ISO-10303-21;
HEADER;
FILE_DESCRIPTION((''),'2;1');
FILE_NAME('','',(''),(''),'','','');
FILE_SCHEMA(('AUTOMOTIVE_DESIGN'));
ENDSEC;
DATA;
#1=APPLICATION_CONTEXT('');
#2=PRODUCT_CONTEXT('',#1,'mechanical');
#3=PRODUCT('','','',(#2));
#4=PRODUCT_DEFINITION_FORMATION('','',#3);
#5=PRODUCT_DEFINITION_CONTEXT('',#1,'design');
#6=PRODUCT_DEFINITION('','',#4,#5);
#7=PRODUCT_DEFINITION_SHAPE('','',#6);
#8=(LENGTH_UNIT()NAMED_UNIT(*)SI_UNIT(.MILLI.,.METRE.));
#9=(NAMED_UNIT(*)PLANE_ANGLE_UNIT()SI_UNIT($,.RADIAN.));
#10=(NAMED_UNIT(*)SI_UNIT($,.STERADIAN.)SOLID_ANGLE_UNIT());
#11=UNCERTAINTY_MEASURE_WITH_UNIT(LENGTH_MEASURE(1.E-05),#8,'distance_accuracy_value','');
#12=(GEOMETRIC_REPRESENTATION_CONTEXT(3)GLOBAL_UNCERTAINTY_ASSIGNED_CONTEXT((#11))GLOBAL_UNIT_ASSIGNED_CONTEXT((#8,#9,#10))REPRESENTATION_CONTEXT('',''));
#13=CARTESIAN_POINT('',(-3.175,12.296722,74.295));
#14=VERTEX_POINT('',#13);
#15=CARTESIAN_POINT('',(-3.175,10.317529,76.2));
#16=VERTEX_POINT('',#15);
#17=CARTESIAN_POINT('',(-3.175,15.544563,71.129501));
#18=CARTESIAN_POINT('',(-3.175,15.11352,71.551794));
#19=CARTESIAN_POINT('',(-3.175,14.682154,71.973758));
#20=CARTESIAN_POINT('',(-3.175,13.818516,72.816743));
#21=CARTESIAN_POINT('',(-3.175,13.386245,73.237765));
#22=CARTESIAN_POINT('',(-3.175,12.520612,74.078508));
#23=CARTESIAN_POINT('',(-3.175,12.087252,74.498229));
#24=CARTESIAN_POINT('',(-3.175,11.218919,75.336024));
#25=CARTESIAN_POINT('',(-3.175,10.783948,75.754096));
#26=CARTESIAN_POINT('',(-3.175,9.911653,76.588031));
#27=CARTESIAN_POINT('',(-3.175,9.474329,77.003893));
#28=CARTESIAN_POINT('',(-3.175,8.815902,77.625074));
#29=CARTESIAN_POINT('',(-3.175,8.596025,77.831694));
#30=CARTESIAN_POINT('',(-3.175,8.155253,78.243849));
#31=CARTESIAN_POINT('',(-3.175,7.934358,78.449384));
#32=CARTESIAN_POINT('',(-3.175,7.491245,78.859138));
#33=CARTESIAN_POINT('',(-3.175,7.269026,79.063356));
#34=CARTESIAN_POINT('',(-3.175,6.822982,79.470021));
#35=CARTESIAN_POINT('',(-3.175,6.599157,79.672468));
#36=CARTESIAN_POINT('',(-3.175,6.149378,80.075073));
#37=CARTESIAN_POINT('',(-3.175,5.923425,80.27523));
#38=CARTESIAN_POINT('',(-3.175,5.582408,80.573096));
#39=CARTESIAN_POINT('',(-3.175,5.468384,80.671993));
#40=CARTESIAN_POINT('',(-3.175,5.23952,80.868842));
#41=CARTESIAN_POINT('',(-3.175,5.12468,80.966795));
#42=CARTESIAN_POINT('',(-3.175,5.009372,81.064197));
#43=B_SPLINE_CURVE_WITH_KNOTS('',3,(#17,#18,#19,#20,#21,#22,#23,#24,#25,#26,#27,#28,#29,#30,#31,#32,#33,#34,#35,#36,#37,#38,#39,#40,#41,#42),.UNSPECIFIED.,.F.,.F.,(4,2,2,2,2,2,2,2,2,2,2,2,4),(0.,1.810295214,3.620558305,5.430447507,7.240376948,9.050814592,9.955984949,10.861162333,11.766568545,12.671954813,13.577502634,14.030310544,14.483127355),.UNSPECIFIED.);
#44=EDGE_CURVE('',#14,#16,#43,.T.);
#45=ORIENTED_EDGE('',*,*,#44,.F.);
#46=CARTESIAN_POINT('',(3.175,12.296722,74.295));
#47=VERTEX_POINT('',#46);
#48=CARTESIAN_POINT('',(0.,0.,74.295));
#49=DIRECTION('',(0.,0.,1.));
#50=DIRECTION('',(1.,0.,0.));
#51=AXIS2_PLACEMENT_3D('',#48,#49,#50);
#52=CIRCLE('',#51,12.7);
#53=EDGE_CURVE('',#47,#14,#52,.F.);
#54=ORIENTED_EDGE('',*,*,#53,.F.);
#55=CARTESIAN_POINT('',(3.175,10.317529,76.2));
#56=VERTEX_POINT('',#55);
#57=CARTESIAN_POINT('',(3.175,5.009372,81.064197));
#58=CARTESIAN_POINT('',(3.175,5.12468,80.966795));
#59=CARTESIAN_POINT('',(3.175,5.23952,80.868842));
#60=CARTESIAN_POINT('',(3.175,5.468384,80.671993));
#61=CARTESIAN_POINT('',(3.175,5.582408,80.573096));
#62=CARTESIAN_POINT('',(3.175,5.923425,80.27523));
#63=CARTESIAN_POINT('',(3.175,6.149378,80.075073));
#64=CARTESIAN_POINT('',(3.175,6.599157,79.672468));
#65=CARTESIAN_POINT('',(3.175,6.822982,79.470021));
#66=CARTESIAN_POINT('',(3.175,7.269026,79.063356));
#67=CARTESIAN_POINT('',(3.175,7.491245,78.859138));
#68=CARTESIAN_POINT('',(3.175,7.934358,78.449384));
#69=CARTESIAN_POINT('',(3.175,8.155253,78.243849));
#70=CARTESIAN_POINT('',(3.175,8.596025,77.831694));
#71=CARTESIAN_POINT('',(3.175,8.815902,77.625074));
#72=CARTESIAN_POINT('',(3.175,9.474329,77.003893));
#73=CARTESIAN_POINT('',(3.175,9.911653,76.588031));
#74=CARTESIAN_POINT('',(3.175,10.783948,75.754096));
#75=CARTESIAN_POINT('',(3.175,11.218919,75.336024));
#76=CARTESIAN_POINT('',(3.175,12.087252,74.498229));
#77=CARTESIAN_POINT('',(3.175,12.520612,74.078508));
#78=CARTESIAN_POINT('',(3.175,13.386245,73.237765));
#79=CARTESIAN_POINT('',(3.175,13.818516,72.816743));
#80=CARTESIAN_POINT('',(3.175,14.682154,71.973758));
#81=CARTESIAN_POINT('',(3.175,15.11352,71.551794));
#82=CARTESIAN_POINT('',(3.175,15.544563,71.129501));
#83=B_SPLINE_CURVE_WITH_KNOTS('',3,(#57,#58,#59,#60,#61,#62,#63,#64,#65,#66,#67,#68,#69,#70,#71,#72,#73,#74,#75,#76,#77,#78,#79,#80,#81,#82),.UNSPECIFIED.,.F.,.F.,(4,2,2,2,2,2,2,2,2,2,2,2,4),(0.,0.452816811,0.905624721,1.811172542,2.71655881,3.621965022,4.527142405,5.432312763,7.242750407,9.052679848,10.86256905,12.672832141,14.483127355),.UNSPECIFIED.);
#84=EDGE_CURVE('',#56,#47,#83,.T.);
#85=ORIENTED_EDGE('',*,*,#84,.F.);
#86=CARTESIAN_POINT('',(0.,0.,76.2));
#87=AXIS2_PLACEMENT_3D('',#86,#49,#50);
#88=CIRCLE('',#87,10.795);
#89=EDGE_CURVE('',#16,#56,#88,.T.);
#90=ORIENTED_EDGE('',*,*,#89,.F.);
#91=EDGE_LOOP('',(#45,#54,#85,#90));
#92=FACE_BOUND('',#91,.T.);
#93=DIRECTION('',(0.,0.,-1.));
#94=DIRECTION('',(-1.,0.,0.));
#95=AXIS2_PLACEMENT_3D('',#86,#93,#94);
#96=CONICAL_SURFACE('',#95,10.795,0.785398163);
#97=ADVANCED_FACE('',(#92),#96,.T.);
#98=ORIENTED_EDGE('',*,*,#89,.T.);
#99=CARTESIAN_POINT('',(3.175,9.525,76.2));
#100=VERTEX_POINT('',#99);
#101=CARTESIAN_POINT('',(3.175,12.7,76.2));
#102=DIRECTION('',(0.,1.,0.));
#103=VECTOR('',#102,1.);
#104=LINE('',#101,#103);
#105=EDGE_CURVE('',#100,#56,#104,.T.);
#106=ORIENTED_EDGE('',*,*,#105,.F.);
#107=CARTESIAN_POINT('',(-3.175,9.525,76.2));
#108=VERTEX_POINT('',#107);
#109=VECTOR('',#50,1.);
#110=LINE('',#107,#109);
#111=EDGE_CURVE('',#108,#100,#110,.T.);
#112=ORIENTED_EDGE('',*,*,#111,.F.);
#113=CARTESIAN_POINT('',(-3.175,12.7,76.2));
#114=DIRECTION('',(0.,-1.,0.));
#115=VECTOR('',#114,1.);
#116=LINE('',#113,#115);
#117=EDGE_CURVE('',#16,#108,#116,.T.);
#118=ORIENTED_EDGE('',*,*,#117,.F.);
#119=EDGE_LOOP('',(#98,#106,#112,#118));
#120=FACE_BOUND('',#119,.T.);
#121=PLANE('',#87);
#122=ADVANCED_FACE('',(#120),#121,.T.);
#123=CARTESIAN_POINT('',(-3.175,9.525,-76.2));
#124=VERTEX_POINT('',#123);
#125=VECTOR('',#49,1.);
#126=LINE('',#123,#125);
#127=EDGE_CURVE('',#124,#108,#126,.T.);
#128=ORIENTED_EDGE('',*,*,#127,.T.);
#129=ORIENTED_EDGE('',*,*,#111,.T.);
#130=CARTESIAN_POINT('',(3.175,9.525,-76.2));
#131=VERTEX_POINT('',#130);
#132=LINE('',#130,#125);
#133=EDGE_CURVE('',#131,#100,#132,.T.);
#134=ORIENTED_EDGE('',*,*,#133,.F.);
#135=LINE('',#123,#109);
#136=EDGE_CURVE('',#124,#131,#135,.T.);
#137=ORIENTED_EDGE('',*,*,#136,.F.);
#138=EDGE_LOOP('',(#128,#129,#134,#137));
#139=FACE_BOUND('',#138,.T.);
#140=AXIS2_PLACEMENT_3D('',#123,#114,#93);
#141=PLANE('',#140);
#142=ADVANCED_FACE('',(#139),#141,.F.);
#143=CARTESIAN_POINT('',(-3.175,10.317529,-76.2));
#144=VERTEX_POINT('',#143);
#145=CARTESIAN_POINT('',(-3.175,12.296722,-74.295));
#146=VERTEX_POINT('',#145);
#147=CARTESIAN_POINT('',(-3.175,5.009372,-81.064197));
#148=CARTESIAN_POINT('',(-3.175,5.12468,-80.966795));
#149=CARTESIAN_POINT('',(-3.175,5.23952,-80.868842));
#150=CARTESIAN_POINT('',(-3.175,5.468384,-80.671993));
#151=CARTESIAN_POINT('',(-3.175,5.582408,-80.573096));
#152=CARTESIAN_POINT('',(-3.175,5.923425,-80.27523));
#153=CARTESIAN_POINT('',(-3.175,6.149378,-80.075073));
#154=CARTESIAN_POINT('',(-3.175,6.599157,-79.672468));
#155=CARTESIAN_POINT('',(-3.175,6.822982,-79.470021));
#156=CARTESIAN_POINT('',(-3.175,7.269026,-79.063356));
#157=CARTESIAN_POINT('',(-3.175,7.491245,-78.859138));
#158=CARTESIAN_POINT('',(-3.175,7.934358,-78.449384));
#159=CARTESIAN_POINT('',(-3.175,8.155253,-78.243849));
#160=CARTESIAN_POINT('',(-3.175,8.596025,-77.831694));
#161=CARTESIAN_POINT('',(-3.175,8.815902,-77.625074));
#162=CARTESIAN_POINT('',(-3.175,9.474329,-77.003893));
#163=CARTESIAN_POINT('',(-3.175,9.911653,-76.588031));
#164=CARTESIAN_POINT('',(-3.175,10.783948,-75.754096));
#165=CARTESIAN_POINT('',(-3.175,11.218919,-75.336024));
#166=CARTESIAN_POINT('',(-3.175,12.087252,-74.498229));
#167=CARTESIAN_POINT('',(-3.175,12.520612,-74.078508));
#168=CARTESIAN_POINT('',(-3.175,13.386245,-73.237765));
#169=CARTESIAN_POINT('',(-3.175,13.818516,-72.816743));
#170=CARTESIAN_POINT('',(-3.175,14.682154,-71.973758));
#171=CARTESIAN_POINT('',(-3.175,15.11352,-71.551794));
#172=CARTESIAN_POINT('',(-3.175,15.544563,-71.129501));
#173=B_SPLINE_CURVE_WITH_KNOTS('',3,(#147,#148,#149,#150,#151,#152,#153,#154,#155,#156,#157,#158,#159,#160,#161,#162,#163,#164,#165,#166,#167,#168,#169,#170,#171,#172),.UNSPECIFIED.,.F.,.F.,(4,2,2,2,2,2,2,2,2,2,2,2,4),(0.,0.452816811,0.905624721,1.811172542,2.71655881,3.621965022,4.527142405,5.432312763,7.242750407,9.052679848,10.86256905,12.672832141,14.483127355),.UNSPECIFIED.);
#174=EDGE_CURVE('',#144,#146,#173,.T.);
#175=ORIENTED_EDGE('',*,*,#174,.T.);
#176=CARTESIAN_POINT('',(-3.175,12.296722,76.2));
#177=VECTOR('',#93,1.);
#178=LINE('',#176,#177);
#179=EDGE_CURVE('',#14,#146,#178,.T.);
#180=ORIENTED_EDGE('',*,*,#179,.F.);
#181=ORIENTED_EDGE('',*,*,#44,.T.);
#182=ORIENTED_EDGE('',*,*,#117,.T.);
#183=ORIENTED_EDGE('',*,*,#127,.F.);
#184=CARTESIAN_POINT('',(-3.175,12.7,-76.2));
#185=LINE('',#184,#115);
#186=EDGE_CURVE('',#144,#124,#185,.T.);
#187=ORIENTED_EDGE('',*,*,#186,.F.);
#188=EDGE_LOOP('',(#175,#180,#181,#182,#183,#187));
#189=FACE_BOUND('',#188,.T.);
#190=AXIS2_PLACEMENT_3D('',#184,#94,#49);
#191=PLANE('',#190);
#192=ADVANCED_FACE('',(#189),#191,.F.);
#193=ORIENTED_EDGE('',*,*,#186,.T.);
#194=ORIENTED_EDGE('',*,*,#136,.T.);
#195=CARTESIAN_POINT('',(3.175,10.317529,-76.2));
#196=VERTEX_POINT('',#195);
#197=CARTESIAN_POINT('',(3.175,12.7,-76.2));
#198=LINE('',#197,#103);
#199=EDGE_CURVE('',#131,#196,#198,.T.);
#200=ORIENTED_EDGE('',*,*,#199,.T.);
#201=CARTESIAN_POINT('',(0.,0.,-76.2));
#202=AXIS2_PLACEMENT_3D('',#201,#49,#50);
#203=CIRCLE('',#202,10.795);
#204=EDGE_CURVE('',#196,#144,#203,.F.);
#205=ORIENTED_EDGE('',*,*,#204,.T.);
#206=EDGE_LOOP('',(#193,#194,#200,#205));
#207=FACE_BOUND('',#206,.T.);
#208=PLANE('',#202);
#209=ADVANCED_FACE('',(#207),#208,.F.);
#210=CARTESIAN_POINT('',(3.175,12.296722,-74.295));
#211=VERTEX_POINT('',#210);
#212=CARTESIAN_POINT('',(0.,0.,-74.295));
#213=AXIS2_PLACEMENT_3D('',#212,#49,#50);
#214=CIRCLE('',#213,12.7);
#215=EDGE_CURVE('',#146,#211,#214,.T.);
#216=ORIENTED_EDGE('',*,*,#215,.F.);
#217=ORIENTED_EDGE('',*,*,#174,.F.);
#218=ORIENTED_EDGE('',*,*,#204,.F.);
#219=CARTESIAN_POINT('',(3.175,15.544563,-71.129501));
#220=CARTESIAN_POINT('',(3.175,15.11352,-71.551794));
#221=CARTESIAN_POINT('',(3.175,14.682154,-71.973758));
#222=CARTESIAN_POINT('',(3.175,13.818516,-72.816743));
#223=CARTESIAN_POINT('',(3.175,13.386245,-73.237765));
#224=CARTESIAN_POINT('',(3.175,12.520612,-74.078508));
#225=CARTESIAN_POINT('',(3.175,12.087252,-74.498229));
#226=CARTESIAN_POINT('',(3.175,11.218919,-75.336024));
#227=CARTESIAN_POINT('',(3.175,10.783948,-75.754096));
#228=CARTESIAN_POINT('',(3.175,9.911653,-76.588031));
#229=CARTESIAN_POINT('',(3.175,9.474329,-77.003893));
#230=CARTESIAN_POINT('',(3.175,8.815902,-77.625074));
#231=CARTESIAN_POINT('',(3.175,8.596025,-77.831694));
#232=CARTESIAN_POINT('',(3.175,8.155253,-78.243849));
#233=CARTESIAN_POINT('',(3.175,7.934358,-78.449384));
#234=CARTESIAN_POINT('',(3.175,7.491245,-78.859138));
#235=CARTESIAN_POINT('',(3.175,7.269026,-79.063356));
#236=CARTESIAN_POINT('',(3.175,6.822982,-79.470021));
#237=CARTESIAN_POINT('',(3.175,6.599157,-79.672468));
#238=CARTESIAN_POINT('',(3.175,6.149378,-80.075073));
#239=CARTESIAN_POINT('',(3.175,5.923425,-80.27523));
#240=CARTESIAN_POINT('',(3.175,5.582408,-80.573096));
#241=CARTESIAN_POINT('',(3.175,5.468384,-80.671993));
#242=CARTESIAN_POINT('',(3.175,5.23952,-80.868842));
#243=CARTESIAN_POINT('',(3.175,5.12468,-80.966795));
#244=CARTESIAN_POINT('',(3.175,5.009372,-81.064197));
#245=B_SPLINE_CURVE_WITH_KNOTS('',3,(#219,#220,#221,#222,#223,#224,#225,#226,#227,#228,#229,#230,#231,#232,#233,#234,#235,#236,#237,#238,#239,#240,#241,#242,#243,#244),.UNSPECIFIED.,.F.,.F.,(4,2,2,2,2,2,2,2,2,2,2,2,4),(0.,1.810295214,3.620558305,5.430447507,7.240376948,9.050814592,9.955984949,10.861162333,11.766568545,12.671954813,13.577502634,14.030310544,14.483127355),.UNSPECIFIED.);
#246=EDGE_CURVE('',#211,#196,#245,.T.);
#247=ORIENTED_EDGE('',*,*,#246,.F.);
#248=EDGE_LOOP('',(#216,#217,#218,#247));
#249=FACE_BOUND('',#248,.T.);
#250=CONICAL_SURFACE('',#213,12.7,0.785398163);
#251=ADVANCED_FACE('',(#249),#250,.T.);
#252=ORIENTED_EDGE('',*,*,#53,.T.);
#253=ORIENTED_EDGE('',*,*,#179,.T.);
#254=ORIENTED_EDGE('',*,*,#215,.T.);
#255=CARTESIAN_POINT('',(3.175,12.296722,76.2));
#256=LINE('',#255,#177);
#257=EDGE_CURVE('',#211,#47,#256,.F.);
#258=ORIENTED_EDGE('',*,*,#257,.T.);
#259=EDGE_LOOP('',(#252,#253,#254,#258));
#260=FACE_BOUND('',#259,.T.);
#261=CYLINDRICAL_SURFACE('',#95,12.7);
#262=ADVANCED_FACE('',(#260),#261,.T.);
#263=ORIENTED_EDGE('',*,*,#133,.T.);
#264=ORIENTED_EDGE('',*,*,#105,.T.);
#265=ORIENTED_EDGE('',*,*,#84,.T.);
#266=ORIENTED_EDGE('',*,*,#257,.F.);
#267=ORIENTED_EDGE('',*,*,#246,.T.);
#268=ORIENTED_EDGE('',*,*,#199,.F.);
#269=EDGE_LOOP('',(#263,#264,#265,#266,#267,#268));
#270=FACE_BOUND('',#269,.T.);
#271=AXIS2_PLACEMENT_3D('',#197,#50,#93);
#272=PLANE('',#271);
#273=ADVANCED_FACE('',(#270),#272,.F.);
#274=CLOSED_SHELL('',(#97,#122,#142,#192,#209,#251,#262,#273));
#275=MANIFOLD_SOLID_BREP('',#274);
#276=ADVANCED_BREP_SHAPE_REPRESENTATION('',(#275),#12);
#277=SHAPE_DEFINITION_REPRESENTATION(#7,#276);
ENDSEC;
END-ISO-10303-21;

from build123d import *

# Parameters (mm, degrees)
SKETCH1_R           = 12.7
EXTRUDE1_DEPTH      = 76.2
CHAMFER1_SIZE       = 1.905
EXTRUDE2_DEPTH      = 79.288057838
EXTRUDE2_DEPTH_BACK = 79.288057838
SKETCH3_W           = 6.35
SKETCH3_H           = 3.175


with BuildPart() as part:
    # Sketch1 → Extrude1 (new, symmetric)
    with BuildSketch(Plane.XY):
        with Locations(Location((0, 0, 0), (0, 0, 180))):
            Circle(SKETCH1_R)
    extrude(amount=EXTRUDE1_DEPTH, both=True)

    # Chamfer1
    chamfer1_edges = [part.edges().sort_by_distance(p)[0] for p in [
        (12.7, 0, -76.2),
        (12.7, 0, 76.2),
    ]]
    chamfer(chamfer1_edges, length=CHAMFER1_SIZE)

    # Sketch3 → Extrude2 (cut, two sides: drawn at the far end of the back side and taken through both)
    with BuildSketch(Plane.XY.offset(-EXTRUDE2_DEPTH_BACK)):
        with Locations((0, 11.1125)):
            Rectangle(SKETCH3_W, SKETCH3_H)
    extrude(amount=EXTRUDE2_DEPTH + EXTRUDE2_DEPTH_BACK, mode=Mode.SUBTRACT)


solid = part.part
